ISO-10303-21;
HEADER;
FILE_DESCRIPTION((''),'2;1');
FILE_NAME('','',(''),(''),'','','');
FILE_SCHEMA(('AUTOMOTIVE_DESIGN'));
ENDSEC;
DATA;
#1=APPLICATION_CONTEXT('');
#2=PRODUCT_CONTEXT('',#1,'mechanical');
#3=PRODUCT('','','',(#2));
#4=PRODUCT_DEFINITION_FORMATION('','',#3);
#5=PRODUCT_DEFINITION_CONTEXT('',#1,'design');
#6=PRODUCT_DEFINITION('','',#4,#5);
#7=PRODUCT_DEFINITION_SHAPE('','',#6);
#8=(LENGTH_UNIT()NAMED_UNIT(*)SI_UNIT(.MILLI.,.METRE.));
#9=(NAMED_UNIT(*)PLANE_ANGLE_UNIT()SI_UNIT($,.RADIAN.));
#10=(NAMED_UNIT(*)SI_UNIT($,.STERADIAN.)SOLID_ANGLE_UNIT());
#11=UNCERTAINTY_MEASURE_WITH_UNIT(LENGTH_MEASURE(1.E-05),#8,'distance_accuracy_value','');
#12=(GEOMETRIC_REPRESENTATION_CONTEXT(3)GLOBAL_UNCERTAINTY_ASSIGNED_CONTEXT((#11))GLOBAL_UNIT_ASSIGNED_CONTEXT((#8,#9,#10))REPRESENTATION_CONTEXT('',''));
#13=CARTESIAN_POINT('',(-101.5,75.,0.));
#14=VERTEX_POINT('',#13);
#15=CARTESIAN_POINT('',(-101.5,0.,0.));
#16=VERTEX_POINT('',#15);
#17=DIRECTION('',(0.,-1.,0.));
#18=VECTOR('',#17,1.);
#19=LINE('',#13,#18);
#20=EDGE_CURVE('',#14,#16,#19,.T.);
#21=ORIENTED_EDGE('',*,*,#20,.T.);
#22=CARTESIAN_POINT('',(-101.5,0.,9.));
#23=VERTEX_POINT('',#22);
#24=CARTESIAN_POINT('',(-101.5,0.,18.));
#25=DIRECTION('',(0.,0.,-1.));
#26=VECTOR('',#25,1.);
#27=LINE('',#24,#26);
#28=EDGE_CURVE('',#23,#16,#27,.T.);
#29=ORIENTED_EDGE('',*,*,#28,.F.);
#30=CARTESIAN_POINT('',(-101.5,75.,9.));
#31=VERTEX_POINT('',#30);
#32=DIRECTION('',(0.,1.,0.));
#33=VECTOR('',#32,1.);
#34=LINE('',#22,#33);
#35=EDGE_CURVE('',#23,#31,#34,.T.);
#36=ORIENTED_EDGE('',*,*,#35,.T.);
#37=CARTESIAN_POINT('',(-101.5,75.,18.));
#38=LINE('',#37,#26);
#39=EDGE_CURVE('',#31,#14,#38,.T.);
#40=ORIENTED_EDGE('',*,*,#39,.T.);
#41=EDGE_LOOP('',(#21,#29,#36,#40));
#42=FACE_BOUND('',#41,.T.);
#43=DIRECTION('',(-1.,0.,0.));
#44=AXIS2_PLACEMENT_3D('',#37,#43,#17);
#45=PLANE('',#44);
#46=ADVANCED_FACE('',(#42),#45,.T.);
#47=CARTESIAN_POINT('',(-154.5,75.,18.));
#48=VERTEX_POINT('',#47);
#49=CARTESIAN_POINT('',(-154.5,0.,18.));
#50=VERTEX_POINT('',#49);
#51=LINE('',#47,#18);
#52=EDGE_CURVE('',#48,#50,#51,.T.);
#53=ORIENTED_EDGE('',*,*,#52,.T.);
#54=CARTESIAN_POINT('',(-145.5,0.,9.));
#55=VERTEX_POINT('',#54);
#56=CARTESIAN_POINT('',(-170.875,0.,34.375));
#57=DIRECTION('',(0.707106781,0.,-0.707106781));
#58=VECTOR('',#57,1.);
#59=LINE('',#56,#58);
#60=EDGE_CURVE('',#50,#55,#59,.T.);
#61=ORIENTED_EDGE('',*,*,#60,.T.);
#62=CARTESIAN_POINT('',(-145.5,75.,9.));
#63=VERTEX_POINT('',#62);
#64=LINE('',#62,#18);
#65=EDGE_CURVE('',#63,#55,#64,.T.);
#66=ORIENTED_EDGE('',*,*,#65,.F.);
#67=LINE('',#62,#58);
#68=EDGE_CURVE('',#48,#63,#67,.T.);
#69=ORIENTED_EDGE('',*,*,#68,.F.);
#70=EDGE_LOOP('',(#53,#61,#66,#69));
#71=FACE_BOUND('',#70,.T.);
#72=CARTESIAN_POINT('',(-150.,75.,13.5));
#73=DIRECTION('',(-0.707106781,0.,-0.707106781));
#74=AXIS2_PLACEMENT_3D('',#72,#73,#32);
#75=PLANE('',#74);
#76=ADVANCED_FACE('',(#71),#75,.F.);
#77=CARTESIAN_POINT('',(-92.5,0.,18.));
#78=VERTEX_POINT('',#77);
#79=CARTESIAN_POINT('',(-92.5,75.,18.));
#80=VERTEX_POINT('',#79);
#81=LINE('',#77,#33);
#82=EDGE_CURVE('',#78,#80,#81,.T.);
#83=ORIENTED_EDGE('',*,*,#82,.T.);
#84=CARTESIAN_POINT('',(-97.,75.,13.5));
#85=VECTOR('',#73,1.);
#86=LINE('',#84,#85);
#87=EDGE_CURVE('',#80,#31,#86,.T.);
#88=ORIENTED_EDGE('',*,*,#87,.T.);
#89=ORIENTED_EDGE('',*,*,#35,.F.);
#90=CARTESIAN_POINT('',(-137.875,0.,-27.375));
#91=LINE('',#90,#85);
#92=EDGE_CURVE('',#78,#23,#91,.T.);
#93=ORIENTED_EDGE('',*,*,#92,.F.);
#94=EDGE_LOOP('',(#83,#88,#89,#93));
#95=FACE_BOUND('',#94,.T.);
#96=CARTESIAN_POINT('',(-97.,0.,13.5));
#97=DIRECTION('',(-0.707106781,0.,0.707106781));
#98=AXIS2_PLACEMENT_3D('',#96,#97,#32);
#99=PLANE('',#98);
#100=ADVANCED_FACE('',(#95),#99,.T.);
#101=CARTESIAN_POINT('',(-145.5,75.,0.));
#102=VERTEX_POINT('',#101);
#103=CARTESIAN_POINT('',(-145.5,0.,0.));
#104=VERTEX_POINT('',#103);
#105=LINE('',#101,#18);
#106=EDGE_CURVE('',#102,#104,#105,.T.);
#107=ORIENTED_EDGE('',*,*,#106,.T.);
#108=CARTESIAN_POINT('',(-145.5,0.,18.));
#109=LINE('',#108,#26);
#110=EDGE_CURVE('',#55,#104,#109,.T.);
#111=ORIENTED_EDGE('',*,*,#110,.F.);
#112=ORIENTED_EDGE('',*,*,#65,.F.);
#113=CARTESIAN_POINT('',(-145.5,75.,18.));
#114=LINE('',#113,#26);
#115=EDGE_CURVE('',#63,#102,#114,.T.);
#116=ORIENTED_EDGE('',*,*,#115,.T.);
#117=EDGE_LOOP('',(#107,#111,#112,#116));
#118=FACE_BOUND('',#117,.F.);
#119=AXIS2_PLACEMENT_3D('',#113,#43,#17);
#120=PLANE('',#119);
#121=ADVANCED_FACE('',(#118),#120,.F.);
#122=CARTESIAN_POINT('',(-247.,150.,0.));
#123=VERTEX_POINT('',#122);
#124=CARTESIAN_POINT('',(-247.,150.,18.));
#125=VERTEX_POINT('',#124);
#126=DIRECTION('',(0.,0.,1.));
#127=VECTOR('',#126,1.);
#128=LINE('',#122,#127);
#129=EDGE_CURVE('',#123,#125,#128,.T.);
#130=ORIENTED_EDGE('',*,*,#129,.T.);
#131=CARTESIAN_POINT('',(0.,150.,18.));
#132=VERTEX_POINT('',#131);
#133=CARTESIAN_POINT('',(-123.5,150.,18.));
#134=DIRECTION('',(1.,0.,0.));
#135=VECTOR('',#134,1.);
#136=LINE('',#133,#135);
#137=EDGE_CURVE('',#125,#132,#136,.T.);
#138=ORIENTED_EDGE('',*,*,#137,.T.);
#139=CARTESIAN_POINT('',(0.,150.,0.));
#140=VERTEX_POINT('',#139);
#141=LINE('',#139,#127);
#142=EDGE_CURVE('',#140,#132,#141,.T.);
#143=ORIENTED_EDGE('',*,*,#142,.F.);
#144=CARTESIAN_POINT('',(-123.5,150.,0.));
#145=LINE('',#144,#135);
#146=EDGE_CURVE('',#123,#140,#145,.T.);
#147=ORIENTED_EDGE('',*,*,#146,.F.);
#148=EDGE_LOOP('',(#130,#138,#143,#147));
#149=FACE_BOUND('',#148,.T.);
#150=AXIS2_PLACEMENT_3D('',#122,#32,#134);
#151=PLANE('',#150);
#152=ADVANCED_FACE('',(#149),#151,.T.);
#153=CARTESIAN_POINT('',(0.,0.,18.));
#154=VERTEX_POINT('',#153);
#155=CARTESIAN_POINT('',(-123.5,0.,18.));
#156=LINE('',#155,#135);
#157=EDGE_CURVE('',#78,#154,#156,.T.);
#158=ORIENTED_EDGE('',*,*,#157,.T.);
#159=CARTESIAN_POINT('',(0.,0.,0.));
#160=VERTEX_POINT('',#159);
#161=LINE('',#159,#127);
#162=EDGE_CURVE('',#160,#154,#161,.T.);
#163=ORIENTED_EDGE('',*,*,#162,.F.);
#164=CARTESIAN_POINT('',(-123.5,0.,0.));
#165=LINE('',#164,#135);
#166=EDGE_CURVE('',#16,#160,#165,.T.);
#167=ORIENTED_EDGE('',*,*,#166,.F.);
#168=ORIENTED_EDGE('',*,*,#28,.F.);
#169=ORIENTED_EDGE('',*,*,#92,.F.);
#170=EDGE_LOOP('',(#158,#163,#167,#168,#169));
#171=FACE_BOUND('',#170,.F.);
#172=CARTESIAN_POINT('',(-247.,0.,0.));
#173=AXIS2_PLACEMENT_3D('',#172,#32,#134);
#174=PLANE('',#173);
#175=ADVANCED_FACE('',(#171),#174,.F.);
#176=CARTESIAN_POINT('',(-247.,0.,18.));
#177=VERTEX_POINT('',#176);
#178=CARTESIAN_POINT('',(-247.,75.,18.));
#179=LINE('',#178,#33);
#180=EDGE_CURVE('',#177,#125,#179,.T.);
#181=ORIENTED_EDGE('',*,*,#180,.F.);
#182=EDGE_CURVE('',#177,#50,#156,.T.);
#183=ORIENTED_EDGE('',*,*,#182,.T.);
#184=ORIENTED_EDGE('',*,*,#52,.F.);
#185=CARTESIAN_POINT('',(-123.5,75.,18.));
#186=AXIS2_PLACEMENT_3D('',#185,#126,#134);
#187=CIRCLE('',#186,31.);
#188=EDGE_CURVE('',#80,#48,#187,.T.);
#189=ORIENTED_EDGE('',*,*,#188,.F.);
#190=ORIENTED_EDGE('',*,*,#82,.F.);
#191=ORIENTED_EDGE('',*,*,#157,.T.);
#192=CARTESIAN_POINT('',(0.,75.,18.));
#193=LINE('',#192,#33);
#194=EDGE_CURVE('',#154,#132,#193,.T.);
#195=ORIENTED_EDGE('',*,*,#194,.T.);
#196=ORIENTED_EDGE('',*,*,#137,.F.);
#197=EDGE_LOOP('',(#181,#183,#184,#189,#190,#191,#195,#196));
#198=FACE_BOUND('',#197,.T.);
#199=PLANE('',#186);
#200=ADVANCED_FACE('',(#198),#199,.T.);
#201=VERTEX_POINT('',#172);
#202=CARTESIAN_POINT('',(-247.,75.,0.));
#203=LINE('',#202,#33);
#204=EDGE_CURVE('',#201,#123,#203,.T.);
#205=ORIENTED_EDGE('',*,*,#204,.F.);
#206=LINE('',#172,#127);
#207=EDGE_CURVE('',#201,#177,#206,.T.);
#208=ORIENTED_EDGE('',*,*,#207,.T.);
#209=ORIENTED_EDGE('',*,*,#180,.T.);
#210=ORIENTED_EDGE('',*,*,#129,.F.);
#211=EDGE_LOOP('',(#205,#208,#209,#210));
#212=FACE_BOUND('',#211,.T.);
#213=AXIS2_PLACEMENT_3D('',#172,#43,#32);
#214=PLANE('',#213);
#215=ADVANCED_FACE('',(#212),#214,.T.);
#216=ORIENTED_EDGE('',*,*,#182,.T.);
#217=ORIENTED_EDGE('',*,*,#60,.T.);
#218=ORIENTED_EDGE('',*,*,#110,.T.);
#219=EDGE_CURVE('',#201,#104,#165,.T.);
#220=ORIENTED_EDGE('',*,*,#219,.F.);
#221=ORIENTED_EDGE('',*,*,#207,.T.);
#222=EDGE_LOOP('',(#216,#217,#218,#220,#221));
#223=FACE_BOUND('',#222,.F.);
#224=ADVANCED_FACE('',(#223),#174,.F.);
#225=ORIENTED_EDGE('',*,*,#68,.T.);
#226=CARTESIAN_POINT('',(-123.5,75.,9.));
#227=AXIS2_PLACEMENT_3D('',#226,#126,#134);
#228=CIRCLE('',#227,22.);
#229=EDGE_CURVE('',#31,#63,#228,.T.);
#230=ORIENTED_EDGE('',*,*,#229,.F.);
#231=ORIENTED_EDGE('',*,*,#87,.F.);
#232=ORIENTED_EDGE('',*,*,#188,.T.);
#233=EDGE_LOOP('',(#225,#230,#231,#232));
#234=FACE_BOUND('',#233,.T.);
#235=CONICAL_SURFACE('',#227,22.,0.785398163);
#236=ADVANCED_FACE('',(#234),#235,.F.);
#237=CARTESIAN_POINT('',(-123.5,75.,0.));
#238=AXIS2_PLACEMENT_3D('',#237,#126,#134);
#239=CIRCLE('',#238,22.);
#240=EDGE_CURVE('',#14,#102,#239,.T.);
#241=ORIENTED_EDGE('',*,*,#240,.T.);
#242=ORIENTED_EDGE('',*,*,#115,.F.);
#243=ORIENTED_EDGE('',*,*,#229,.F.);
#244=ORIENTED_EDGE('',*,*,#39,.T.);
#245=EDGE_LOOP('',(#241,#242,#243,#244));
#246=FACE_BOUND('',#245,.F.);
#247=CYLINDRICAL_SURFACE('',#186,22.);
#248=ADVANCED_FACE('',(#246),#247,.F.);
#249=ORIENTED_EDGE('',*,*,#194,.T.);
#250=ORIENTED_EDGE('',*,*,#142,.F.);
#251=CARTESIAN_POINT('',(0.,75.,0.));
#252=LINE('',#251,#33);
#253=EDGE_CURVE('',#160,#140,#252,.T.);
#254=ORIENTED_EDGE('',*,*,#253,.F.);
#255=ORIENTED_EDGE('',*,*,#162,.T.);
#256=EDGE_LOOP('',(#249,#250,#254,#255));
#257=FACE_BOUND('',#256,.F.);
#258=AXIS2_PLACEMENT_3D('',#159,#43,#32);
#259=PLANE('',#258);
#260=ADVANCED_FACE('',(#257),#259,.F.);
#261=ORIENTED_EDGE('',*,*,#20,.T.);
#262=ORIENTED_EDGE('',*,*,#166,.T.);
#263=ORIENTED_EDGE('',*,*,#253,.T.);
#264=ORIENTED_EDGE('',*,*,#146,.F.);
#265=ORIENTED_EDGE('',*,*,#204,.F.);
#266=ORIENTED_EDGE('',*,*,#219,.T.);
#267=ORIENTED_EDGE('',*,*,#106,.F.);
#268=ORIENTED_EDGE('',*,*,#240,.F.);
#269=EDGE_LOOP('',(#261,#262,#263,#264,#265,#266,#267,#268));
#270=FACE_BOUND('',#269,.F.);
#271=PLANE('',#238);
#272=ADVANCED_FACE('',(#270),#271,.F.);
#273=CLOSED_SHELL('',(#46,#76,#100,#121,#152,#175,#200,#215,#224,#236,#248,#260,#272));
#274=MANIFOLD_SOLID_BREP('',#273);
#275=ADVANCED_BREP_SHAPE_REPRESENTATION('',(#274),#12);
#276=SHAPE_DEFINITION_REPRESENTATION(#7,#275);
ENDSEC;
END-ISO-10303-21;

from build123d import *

# Parameters (mm, degrees)
SKETCH_W     = 247
SKETCH_H     = 150
PAD_DEPTH    = 18
POCKET_DEPTH = 18.001
CHAMFER_SIZE = 9


with BuildPart() as part:
    # Sketch → Pad (new body)
    with BuildSketch(Plane.XY):
        with Locations((-123.5, 75)):
            Rectangle(SKETCH_W, SKETCH_H)
    extrude(amount=PAD_DEPTH)

    # Sketch001 (on Face6 of Pad) → Pocket (cut, through all)
    with BuildSketch(Plane.XY.offset(18)):
        with BuildLine():
            ThreePointArc((-101.5, 75), (-123.5, 97), (-145.5, 75))
            Line((-145.5, 75), (-145.5, 0))
            Line((-101.5, 0), (-145.5, 0))
            Line((-101.5, 75), (-101.5, 0))
        make_face()
    extrude(amount=-POCKET_DEPTH, mode=Mode.SUBTRACT)

    # Chamfer
    chamfer_edges = [part.edges().sort_by_distance(p)[0] for p in [
        (-145.5, 37.5, 18),
        (-123.5, 97, 18),
        (-101.5, 37.5, 18),
    ]]
    chamfer(chamfer_edges, length=CHAMFER_SIZE)


solid = part.part
